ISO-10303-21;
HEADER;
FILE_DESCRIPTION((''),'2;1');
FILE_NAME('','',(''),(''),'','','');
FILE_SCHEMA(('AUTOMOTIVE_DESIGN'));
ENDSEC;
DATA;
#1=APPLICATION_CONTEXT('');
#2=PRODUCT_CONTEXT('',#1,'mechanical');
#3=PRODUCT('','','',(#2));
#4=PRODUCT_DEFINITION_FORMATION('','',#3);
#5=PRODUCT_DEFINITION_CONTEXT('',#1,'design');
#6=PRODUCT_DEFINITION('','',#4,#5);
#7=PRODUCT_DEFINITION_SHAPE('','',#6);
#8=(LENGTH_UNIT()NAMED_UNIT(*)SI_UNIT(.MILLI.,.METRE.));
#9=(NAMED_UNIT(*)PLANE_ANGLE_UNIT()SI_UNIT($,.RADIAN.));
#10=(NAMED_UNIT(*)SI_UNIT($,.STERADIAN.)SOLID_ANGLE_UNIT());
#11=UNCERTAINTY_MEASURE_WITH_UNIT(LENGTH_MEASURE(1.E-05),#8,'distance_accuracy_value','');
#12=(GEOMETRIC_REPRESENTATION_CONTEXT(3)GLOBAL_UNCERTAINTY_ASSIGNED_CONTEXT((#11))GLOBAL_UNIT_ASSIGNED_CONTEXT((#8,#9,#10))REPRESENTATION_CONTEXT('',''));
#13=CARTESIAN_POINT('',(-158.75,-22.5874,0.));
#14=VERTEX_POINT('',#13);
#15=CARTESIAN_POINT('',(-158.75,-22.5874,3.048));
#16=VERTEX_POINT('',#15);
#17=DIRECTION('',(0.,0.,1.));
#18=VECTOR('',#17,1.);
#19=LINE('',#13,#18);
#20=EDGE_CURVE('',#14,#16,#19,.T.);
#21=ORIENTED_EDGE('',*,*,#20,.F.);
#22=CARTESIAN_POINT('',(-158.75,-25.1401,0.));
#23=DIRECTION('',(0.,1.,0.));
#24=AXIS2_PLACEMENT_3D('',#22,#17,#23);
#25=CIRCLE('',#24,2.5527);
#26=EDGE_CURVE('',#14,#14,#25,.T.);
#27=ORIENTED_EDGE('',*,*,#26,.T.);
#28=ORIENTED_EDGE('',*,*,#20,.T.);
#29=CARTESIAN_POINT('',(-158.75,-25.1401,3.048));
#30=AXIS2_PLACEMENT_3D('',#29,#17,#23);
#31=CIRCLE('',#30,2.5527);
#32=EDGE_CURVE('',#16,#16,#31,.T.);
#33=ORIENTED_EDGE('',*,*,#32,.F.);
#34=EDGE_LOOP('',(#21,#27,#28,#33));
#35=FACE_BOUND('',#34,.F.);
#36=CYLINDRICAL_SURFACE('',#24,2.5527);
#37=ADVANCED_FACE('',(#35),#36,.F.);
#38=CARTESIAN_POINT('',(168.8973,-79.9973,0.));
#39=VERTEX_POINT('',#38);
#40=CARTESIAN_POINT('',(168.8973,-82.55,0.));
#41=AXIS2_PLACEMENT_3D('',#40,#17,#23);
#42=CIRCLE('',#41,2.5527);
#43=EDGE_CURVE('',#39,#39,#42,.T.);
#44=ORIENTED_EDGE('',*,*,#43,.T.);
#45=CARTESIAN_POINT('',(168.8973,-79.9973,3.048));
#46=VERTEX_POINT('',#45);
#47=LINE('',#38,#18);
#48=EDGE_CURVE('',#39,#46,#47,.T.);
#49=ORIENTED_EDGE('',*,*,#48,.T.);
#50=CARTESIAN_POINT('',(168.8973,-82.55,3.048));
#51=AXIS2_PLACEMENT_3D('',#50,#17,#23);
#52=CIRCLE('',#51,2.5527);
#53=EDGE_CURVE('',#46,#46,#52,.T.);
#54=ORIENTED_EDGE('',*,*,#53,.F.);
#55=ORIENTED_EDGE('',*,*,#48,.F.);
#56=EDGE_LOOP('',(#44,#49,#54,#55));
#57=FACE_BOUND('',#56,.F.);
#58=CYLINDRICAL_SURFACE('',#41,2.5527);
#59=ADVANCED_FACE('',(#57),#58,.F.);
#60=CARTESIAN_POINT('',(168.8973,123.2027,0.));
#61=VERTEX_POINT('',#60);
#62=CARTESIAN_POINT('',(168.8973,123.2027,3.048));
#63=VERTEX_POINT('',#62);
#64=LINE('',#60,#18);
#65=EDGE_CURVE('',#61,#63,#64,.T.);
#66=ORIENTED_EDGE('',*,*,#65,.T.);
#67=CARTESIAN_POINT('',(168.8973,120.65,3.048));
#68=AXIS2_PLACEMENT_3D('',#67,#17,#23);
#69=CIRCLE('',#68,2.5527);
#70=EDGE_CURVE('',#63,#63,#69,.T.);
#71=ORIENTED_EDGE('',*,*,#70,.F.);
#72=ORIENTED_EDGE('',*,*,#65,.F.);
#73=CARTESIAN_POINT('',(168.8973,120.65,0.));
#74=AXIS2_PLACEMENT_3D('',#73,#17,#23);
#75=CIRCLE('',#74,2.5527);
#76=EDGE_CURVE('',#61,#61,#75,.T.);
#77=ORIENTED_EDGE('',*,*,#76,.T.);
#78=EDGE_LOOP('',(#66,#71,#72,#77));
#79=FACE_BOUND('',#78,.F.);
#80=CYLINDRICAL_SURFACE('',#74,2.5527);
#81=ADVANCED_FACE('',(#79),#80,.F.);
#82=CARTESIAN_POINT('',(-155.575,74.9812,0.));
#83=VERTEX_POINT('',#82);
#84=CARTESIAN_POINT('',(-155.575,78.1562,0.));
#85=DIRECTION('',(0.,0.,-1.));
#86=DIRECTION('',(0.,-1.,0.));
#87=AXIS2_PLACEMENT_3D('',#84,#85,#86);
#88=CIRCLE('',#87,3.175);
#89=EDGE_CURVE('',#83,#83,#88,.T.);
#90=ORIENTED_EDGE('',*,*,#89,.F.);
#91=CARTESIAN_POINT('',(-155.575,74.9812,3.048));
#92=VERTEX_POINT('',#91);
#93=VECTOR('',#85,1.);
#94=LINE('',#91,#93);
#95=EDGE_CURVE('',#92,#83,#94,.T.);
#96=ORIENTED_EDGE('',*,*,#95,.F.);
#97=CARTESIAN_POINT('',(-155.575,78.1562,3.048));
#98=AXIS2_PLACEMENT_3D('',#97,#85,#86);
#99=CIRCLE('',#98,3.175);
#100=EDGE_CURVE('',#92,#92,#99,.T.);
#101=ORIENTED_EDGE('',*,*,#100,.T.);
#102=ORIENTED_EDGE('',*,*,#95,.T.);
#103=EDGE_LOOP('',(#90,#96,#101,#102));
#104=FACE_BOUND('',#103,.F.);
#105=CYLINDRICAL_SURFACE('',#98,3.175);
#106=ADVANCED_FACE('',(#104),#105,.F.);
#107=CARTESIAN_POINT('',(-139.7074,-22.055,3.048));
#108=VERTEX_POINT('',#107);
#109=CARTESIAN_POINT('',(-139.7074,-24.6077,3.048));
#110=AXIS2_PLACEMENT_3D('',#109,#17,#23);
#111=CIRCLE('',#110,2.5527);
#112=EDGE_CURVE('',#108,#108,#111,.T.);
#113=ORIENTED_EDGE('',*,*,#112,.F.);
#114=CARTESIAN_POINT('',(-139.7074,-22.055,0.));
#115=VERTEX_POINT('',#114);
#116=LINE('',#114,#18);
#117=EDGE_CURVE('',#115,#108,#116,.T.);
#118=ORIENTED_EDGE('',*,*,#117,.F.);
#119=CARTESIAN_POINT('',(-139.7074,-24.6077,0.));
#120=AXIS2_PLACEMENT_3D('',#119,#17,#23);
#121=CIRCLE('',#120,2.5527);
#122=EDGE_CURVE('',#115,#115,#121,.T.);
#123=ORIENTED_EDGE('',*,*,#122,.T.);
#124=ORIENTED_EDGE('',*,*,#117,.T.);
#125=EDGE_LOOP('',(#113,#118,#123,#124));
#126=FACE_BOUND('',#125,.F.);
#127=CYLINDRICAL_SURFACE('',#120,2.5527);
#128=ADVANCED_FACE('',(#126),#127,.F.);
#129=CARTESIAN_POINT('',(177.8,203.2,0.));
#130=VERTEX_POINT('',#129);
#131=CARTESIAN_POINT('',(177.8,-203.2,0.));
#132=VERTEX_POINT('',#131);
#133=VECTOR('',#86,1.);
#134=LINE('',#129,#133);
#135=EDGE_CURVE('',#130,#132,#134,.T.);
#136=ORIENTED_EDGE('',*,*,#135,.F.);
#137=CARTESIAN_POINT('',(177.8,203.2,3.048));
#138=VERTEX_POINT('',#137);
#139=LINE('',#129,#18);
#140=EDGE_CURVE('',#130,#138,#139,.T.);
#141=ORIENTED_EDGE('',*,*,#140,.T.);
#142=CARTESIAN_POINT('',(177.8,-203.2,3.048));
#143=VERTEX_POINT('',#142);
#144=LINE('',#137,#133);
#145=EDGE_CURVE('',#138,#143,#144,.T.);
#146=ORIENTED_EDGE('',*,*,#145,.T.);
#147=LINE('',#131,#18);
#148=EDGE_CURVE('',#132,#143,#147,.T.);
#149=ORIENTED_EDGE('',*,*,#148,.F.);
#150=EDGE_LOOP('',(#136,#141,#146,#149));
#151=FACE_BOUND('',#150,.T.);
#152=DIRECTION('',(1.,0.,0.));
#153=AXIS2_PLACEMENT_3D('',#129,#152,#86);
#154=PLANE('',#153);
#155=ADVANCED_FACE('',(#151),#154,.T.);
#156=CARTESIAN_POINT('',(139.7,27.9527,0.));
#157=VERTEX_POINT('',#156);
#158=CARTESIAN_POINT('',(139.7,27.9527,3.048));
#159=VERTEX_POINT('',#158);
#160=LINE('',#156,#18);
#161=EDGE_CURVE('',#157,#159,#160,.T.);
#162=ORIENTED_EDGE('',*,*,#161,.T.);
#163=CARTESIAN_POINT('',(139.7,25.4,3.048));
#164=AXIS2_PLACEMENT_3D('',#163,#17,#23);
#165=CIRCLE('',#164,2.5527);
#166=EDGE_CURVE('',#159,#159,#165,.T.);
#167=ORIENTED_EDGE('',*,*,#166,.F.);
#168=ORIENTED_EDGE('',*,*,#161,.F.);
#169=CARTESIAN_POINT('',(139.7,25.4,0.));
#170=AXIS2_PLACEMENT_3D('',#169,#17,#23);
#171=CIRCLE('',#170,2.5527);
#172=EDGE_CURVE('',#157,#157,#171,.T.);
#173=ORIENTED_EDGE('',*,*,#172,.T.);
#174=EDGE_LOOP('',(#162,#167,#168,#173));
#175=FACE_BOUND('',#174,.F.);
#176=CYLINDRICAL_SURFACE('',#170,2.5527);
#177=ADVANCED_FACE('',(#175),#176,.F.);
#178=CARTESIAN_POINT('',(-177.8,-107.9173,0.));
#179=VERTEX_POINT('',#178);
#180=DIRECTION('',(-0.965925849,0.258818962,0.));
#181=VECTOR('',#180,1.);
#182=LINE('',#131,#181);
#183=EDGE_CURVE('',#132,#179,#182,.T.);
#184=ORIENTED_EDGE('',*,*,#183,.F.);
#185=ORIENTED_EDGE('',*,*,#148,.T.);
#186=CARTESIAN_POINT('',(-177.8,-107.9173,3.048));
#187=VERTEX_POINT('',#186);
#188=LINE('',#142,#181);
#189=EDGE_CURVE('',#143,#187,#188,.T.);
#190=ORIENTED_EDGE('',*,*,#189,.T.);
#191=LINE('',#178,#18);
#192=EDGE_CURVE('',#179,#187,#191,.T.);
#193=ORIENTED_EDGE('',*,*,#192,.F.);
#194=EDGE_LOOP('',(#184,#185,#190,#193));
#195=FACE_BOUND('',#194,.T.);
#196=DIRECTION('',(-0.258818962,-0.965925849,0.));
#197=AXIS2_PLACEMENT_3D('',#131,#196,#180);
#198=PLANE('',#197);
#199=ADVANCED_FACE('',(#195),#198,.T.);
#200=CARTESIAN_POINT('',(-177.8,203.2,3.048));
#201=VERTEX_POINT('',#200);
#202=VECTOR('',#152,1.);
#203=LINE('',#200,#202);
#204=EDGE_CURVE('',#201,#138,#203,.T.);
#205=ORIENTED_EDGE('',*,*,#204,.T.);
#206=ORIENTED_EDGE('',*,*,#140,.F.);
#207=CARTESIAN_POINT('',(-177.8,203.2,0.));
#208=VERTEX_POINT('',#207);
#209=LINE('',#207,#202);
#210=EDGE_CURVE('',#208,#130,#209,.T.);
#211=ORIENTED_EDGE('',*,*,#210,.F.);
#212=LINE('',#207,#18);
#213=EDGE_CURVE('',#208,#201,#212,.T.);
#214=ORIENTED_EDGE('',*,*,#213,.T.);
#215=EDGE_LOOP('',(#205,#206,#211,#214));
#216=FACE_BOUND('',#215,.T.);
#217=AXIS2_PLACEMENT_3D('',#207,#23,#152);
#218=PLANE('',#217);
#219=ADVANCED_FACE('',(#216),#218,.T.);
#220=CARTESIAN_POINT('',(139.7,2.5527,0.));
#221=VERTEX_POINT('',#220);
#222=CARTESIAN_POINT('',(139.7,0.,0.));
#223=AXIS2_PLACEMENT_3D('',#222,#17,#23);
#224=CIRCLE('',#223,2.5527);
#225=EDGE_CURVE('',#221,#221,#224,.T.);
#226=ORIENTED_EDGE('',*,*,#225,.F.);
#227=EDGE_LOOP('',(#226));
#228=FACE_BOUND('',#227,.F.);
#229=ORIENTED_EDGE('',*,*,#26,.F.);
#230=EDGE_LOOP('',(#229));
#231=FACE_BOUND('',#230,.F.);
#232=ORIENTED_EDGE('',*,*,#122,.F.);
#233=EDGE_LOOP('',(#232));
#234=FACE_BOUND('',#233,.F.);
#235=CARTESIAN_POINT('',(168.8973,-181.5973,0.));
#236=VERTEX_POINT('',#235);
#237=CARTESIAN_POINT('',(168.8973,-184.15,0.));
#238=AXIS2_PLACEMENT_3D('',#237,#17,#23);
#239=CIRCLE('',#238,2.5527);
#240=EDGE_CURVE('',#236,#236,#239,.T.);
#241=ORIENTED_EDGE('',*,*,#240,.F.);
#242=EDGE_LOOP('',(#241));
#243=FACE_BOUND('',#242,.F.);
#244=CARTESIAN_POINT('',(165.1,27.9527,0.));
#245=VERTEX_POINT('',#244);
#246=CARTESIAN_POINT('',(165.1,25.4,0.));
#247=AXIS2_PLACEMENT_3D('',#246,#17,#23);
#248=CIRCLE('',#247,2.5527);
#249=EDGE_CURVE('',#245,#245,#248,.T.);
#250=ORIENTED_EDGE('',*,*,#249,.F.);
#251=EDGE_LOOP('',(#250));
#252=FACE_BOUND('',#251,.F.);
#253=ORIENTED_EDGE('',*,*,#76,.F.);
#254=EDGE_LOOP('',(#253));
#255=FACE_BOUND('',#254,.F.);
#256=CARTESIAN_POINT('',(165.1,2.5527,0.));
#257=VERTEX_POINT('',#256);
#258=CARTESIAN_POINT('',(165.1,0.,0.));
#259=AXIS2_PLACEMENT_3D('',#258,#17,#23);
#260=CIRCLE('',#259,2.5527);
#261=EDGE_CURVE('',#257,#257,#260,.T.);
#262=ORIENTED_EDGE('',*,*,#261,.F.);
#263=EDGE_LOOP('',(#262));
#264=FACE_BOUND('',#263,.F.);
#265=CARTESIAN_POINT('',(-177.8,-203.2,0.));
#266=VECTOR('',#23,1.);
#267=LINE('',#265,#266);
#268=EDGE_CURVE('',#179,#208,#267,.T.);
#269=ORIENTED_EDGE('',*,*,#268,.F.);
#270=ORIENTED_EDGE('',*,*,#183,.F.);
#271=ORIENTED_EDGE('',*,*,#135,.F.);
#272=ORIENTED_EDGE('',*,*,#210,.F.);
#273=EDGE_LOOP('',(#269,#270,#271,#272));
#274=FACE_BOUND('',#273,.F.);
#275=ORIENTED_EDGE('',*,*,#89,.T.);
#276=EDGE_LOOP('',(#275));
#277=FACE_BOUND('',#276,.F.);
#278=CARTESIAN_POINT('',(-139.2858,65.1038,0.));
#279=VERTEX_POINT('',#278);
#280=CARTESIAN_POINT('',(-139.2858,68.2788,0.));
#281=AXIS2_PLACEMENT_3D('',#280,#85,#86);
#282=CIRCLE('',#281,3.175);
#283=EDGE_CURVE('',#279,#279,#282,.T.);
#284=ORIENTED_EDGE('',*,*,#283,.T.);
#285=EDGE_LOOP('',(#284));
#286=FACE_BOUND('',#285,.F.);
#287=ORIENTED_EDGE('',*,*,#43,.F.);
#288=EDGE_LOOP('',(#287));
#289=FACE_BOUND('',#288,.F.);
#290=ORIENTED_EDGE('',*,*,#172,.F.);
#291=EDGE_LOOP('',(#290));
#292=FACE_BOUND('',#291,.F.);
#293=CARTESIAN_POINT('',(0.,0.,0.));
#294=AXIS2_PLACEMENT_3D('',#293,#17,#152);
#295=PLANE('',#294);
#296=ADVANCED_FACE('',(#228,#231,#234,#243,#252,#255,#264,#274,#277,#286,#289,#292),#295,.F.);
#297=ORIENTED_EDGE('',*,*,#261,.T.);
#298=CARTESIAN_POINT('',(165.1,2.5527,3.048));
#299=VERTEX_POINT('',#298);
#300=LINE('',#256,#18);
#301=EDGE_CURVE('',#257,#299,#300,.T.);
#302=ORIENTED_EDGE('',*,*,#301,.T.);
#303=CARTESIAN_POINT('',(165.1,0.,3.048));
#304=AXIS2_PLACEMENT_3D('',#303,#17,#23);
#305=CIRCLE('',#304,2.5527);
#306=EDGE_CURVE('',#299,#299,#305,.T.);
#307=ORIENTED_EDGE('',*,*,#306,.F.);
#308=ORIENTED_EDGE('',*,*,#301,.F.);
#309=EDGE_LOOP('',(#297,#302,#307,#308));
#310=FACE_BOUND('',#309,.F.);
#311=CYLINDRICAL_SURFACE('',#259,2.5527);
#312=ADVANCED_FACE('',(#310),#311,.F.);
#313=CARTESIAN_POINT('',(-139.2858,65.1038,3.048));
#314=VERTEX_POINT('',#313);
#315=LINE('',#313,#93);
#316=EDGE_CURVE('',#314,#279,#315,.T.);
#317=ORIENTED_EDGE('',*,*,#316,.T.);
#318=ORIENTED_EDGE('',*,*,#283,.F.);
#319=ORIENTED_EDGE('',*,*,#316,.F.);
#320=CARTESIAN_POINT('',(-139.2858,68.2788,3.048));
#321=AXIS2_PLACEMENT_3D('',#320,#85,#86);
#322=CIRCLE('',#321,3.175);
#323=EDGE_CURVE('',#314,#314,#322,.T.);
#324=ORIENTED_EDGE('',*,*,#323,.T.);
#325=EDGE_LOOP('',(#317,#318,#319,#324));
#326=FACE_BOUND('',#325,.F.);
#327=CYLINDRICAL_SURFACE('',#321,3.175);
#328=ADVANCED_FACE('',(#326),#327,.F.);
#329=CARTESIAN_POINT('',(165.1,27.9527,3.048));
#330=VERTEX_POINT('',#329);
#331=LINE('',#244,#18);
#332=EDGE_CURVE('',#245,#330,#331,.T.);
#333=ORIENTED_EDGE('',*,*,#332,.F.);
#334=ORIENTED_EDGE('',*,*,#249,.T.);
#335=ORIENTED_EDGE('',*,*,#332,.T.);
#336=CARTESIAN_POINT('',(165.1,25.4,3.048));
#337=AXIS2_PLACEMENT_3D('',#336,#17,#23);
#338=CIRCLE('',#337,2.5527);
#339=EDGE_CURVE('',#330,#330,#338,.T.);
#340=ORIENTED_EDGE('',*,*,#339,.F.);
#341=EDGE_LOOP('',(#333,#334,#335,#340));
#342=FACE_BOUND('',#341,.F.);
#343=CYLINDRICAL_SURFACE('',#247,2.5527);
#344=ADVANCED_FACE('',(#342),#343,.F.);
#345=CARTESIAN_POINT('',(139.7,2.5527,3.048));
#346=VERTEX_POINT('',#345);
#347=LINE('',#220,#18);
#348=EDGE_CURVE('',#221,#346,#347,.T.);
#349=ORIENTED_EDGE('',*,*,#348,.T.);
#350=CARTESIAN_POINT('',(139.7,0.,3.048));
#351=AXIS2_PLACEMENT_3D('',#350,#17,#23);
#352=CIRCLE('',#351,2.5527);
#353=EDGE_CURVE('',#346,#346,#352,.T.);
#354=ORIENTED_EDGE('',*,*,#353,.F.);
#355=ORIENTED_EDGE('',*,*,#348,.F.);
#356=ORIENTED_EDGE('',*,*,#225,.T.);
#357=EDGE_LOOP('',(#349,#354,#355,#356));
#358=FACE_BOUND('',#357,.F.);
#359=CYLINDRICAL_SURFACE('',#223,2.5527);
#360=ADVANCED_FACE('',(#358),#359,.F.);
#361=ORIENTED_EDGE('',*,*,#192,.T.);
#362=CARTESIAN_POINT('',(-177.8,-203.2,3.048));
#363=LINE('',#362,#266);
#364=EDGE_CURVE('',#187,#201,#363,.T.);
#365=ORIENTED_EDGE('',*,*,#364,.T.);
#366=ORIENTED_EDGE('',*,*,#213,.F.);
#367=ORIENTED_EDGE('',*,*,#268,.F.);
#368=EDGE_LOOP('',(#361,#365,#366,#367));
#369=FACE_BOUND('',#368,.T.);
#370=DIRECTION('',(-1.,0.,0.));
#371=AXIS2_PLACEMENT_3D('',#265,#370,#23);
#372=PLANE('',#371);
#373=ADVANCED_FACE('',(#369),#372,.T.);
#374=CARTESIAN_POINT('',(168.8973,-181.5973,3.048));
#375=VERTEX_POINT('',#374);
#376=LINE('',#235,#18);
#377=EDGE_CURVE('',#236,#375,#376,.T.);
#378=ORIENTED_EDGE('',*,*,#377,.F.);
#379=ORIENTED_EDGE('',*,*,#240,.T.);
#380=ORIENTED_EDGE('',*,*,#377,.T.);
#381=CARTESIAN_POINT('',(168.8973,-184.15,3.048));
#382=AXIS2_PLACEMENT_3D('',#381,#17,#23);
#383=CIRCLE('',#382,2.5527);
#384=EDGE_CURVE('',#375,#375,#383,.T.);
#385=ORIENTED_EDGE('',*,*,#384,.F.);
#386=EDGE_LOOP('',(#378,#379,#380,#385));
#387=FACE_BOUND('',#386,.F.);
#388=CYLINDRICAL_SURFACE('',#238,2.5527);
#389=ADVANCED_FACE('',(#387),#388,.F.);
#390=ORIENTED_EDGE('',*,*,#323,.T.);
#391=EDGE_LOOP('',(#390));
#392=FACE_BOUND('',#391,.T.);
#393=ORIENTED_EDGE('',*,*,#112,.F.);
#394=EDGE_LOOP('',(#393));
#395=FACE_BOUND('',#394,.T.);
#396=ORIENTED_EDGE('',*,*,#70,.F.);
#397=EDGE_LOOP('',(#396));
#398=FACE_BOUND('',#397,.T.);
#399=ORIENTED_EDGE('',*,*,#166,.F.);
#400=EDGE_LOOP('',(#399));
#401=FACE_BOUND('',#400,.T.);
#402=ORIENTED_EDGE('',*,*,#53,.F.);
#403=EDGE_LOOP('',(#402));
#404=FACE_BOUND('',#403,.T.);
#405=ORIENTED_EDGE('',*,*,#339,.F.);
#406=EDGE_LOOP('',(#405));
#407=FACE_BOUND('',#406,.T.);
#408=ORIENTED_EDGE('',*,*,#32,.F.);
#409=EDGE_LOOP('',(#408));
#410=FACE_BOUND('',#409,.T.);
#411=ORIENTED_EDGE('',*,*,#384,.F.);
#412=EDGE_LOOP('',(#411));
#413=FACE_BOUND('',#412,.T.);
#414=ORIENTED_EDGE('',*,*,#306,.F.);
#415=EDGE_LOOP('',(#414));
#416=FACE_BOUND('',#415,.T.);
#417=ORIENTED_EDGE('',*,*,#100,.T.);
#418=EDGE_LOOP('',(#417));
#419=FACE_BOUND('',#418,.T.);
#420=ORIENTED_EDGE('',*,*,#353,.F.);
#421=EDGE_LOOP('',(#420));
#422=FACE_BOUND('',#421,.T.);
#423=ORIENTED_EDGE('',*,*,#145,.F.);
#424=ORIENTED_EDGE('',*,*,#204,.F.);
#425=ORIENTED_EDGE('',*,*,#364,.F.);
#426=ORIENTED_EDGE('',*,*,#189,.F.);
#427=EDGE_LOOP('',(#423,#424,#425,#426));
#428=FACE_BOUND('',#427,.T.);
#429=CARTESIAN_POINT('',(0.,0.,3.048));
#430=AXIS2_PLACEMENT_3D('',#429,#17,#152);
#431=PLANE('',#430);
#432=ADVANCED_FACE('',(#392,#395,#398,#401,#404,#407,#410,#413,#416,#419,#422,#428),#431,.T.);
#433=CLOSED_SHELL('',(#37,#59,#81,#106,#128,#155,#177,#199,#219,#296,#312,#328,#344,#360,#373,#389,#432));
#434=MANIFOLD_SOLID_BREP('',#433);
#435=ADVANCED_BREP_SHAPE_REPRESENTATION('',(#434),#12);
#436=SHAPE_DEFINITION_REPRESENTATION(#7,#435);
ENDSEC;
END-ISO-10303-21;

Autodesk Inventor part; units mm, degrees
ref_plane "YZ Plane" through (0, 0, 0) normal (1, 0, 0) x (0, 1, 0)
ref_plane "XZ Plane" through (0, 0, 0) normal (0, 1, 0) x (-1, 0, 0)
ref_plane "XY Plane" through (0, 0, 0) normal (0, 0, 1) x (1, 0, 0)
sketch "Sketch1" plane through (0, 0, 0) normal (0, 0, 1) x (1, 0, 0)
  line L0 (-177.8, 203.2) -> (177.8, 203.2)
  line L1 (177.8, 203.2) -> (177.8, -203.2)
  line L2 (177.8, -203.2) -> (-177.8, -203.2)
  line L3 (-177.8, -203.2) -> (-177.8, 203.2)
  line L4 (-177.8, 203.2) -> (177.8, -203.2) construction
  line L5 (177.8, 203.2) -> (-177.8, -203.2) construction
  point P0 (0, 0)
  dimension "d0" = 355.6
  dimension "d1" = 406.4
extrude "Plate1" add sketch "Sketch1" along normal blind 3.048
sketch "Sketch2" plane through (0, 0, 0) normal (0, 0, -1) x (-1, 0, 0)
  line L0 (177.8, -203.2) -> (-177.8, -203.2) construction
  line L1 (177.8, 203.2) -> (177.8, -203.2) construction
  line L2 (-177.8, 203.2) -> (177.8, 203.2) construction
  line L3 (-177.8, -203.2) -> (-177.8, 203.2) construction
  line L4 (-177.8, -203.2) -> (177.8, -107.9173)
  line L5 (-177.8, -203.2) -> (190.3442, -203.2) construction
  line L6 (177.8, 203.2) -> (177.8, -203.2) construction
  line L7 (177.8, -107.9173) -> (177.8, -203.2)
  line L8 (177.8, -203.2) -> (-177.8, -203.2)
  point P0 (0, 0)
  dimension "d3" = 15
extrude "Cut1" cut sketch "Sketch2" against normal blind 3.048
sketch "Sketch3" plane through (0, 0, 0) normal (0, 0, -1) x (-1, 0, 0)
  line L0 (-177.8, -203.2) -> (177.8, -107.9173) construction
  line L1 (177.8, 203.2) -> (177.8, -107.9173) construction
  line L2 (-177.8, 203.2) -> (177.8, 203.2) construction
  line L3 (-177.8, -203.2) -> (-177.8, 203.2) construction
  line L4 (-177.8, 0) -> (-165.1, 0) construction
  point P0 (0, 0)
  point P1 (-139.7, 0)
  point P2 (-165.1, 25.4)
  point P3 (-139.7, 25.4)
  dimension "d6" = 12.7
  dimension "d9" = 25.4
  dimension "d12" = 25.4
hole "Hole1" at (165.1, 0, 0) at (139.7, 0, 0) at (165.1, 25.4, 0) at (139.7, 25.4, 0) direction (0, 0, 1) diameter 5.1054 end through all clearance for "Flat Head Machine Screw (82)" size "#10" standard "Ansi Unified Screw Threads"
sketch "Sketch4" plane through (0, 0, 0) normal (0, 0, -1) x (-1, 0, 0)
  line L0 (-168.8973, -203.2) -> (-168.8973, 203.2) construction
  line L1 (-177.8, -203.2) -> (-177.8, 203.2) projected
  point P0 (0, 0)
  point P1 (-168.8973, -184.15)
  point P2 (-168.8973, -82.55)
  point P3 (-168.8973, 120.65)
  dimension "d22" = 8.9027
  dimension "d23" = 101.6
  dimension "d24" = 19.05
  dimension "d25" = 203.2
hole "Hole2" at (168.8973, -184.15, 0) at (168.8973, -82.55, 0) at (168.8973, 120.65, 0) direction (0, 0, 1) diameter 5.1054 end through all
sketch "Sketch5" plane through (0, 0, 0) normal (0, 0, -1) x (-1, 0, 0)
  circle A0 centre (158.75, -25.1401) radius 2.0193 projected
  circle A1 centre (139.7074, -24.6077) radius 2.0193 projected
  point P0 (0, 0)
hole "Hole3" at (-158.75, -25.1401, 0) at (-139.7074, -24.6077, 0) direction (0, 0, 1) diameter 5.1054 depth 3.048 tip angle 118
sketch "Sketch6" plane through (0, 0, 3.048) normal (0, 0, 1) x (1, 0, 0)
  line L0 (-155.0242, 77.8222) -> (-152.7105, 76.4193)
  line L1 (-177.8, -107.9173) -> (-177.8, 203.2) projected
  point P0 (0, 0)
  point P1 (-155.575, 78.1562)
  point P2 (-139.2858, 68.2788)
  dimension "d40" = 19.05
  dimension "d41" = 22.225
hole "Hole4" at (-155.575, 78.1562, 3.048) at (-139.2858, 68.2788, 3.048) direction (0, 0, -1) diameter 6.35 depth 3.048 tip angle 118
equation "\"d4\" = Thickness"
equation "\"d20\" = Thickness"
equation "\"d31\" = Thickness"
equation "\"d38\" = Thickness"
equation "\"d47\" = Thickness"
equation "\"d2\" = Thickness"
equation "\"BendRadius\" = Thickness"
equation "\"BendReliefWidth\" = Thickness"
equation "\"BendReliefDepth\" = 0.5 * Thickness"
equation "\"CornerReliefSize\" = 4 * Thickness"
equation "\"MinimumRemnant\" = 2 * Thickness"
equation "\"TransitionRadius\" = BendRadius"
equation "\"JacobiRadiusSize\" = BendRadius"
equation "\"GapSize\" = Thickness"
equation "\"Thickness\" = 3.048"
properties part number "hopper_side_l" material "Polycarbonate, Clear"
